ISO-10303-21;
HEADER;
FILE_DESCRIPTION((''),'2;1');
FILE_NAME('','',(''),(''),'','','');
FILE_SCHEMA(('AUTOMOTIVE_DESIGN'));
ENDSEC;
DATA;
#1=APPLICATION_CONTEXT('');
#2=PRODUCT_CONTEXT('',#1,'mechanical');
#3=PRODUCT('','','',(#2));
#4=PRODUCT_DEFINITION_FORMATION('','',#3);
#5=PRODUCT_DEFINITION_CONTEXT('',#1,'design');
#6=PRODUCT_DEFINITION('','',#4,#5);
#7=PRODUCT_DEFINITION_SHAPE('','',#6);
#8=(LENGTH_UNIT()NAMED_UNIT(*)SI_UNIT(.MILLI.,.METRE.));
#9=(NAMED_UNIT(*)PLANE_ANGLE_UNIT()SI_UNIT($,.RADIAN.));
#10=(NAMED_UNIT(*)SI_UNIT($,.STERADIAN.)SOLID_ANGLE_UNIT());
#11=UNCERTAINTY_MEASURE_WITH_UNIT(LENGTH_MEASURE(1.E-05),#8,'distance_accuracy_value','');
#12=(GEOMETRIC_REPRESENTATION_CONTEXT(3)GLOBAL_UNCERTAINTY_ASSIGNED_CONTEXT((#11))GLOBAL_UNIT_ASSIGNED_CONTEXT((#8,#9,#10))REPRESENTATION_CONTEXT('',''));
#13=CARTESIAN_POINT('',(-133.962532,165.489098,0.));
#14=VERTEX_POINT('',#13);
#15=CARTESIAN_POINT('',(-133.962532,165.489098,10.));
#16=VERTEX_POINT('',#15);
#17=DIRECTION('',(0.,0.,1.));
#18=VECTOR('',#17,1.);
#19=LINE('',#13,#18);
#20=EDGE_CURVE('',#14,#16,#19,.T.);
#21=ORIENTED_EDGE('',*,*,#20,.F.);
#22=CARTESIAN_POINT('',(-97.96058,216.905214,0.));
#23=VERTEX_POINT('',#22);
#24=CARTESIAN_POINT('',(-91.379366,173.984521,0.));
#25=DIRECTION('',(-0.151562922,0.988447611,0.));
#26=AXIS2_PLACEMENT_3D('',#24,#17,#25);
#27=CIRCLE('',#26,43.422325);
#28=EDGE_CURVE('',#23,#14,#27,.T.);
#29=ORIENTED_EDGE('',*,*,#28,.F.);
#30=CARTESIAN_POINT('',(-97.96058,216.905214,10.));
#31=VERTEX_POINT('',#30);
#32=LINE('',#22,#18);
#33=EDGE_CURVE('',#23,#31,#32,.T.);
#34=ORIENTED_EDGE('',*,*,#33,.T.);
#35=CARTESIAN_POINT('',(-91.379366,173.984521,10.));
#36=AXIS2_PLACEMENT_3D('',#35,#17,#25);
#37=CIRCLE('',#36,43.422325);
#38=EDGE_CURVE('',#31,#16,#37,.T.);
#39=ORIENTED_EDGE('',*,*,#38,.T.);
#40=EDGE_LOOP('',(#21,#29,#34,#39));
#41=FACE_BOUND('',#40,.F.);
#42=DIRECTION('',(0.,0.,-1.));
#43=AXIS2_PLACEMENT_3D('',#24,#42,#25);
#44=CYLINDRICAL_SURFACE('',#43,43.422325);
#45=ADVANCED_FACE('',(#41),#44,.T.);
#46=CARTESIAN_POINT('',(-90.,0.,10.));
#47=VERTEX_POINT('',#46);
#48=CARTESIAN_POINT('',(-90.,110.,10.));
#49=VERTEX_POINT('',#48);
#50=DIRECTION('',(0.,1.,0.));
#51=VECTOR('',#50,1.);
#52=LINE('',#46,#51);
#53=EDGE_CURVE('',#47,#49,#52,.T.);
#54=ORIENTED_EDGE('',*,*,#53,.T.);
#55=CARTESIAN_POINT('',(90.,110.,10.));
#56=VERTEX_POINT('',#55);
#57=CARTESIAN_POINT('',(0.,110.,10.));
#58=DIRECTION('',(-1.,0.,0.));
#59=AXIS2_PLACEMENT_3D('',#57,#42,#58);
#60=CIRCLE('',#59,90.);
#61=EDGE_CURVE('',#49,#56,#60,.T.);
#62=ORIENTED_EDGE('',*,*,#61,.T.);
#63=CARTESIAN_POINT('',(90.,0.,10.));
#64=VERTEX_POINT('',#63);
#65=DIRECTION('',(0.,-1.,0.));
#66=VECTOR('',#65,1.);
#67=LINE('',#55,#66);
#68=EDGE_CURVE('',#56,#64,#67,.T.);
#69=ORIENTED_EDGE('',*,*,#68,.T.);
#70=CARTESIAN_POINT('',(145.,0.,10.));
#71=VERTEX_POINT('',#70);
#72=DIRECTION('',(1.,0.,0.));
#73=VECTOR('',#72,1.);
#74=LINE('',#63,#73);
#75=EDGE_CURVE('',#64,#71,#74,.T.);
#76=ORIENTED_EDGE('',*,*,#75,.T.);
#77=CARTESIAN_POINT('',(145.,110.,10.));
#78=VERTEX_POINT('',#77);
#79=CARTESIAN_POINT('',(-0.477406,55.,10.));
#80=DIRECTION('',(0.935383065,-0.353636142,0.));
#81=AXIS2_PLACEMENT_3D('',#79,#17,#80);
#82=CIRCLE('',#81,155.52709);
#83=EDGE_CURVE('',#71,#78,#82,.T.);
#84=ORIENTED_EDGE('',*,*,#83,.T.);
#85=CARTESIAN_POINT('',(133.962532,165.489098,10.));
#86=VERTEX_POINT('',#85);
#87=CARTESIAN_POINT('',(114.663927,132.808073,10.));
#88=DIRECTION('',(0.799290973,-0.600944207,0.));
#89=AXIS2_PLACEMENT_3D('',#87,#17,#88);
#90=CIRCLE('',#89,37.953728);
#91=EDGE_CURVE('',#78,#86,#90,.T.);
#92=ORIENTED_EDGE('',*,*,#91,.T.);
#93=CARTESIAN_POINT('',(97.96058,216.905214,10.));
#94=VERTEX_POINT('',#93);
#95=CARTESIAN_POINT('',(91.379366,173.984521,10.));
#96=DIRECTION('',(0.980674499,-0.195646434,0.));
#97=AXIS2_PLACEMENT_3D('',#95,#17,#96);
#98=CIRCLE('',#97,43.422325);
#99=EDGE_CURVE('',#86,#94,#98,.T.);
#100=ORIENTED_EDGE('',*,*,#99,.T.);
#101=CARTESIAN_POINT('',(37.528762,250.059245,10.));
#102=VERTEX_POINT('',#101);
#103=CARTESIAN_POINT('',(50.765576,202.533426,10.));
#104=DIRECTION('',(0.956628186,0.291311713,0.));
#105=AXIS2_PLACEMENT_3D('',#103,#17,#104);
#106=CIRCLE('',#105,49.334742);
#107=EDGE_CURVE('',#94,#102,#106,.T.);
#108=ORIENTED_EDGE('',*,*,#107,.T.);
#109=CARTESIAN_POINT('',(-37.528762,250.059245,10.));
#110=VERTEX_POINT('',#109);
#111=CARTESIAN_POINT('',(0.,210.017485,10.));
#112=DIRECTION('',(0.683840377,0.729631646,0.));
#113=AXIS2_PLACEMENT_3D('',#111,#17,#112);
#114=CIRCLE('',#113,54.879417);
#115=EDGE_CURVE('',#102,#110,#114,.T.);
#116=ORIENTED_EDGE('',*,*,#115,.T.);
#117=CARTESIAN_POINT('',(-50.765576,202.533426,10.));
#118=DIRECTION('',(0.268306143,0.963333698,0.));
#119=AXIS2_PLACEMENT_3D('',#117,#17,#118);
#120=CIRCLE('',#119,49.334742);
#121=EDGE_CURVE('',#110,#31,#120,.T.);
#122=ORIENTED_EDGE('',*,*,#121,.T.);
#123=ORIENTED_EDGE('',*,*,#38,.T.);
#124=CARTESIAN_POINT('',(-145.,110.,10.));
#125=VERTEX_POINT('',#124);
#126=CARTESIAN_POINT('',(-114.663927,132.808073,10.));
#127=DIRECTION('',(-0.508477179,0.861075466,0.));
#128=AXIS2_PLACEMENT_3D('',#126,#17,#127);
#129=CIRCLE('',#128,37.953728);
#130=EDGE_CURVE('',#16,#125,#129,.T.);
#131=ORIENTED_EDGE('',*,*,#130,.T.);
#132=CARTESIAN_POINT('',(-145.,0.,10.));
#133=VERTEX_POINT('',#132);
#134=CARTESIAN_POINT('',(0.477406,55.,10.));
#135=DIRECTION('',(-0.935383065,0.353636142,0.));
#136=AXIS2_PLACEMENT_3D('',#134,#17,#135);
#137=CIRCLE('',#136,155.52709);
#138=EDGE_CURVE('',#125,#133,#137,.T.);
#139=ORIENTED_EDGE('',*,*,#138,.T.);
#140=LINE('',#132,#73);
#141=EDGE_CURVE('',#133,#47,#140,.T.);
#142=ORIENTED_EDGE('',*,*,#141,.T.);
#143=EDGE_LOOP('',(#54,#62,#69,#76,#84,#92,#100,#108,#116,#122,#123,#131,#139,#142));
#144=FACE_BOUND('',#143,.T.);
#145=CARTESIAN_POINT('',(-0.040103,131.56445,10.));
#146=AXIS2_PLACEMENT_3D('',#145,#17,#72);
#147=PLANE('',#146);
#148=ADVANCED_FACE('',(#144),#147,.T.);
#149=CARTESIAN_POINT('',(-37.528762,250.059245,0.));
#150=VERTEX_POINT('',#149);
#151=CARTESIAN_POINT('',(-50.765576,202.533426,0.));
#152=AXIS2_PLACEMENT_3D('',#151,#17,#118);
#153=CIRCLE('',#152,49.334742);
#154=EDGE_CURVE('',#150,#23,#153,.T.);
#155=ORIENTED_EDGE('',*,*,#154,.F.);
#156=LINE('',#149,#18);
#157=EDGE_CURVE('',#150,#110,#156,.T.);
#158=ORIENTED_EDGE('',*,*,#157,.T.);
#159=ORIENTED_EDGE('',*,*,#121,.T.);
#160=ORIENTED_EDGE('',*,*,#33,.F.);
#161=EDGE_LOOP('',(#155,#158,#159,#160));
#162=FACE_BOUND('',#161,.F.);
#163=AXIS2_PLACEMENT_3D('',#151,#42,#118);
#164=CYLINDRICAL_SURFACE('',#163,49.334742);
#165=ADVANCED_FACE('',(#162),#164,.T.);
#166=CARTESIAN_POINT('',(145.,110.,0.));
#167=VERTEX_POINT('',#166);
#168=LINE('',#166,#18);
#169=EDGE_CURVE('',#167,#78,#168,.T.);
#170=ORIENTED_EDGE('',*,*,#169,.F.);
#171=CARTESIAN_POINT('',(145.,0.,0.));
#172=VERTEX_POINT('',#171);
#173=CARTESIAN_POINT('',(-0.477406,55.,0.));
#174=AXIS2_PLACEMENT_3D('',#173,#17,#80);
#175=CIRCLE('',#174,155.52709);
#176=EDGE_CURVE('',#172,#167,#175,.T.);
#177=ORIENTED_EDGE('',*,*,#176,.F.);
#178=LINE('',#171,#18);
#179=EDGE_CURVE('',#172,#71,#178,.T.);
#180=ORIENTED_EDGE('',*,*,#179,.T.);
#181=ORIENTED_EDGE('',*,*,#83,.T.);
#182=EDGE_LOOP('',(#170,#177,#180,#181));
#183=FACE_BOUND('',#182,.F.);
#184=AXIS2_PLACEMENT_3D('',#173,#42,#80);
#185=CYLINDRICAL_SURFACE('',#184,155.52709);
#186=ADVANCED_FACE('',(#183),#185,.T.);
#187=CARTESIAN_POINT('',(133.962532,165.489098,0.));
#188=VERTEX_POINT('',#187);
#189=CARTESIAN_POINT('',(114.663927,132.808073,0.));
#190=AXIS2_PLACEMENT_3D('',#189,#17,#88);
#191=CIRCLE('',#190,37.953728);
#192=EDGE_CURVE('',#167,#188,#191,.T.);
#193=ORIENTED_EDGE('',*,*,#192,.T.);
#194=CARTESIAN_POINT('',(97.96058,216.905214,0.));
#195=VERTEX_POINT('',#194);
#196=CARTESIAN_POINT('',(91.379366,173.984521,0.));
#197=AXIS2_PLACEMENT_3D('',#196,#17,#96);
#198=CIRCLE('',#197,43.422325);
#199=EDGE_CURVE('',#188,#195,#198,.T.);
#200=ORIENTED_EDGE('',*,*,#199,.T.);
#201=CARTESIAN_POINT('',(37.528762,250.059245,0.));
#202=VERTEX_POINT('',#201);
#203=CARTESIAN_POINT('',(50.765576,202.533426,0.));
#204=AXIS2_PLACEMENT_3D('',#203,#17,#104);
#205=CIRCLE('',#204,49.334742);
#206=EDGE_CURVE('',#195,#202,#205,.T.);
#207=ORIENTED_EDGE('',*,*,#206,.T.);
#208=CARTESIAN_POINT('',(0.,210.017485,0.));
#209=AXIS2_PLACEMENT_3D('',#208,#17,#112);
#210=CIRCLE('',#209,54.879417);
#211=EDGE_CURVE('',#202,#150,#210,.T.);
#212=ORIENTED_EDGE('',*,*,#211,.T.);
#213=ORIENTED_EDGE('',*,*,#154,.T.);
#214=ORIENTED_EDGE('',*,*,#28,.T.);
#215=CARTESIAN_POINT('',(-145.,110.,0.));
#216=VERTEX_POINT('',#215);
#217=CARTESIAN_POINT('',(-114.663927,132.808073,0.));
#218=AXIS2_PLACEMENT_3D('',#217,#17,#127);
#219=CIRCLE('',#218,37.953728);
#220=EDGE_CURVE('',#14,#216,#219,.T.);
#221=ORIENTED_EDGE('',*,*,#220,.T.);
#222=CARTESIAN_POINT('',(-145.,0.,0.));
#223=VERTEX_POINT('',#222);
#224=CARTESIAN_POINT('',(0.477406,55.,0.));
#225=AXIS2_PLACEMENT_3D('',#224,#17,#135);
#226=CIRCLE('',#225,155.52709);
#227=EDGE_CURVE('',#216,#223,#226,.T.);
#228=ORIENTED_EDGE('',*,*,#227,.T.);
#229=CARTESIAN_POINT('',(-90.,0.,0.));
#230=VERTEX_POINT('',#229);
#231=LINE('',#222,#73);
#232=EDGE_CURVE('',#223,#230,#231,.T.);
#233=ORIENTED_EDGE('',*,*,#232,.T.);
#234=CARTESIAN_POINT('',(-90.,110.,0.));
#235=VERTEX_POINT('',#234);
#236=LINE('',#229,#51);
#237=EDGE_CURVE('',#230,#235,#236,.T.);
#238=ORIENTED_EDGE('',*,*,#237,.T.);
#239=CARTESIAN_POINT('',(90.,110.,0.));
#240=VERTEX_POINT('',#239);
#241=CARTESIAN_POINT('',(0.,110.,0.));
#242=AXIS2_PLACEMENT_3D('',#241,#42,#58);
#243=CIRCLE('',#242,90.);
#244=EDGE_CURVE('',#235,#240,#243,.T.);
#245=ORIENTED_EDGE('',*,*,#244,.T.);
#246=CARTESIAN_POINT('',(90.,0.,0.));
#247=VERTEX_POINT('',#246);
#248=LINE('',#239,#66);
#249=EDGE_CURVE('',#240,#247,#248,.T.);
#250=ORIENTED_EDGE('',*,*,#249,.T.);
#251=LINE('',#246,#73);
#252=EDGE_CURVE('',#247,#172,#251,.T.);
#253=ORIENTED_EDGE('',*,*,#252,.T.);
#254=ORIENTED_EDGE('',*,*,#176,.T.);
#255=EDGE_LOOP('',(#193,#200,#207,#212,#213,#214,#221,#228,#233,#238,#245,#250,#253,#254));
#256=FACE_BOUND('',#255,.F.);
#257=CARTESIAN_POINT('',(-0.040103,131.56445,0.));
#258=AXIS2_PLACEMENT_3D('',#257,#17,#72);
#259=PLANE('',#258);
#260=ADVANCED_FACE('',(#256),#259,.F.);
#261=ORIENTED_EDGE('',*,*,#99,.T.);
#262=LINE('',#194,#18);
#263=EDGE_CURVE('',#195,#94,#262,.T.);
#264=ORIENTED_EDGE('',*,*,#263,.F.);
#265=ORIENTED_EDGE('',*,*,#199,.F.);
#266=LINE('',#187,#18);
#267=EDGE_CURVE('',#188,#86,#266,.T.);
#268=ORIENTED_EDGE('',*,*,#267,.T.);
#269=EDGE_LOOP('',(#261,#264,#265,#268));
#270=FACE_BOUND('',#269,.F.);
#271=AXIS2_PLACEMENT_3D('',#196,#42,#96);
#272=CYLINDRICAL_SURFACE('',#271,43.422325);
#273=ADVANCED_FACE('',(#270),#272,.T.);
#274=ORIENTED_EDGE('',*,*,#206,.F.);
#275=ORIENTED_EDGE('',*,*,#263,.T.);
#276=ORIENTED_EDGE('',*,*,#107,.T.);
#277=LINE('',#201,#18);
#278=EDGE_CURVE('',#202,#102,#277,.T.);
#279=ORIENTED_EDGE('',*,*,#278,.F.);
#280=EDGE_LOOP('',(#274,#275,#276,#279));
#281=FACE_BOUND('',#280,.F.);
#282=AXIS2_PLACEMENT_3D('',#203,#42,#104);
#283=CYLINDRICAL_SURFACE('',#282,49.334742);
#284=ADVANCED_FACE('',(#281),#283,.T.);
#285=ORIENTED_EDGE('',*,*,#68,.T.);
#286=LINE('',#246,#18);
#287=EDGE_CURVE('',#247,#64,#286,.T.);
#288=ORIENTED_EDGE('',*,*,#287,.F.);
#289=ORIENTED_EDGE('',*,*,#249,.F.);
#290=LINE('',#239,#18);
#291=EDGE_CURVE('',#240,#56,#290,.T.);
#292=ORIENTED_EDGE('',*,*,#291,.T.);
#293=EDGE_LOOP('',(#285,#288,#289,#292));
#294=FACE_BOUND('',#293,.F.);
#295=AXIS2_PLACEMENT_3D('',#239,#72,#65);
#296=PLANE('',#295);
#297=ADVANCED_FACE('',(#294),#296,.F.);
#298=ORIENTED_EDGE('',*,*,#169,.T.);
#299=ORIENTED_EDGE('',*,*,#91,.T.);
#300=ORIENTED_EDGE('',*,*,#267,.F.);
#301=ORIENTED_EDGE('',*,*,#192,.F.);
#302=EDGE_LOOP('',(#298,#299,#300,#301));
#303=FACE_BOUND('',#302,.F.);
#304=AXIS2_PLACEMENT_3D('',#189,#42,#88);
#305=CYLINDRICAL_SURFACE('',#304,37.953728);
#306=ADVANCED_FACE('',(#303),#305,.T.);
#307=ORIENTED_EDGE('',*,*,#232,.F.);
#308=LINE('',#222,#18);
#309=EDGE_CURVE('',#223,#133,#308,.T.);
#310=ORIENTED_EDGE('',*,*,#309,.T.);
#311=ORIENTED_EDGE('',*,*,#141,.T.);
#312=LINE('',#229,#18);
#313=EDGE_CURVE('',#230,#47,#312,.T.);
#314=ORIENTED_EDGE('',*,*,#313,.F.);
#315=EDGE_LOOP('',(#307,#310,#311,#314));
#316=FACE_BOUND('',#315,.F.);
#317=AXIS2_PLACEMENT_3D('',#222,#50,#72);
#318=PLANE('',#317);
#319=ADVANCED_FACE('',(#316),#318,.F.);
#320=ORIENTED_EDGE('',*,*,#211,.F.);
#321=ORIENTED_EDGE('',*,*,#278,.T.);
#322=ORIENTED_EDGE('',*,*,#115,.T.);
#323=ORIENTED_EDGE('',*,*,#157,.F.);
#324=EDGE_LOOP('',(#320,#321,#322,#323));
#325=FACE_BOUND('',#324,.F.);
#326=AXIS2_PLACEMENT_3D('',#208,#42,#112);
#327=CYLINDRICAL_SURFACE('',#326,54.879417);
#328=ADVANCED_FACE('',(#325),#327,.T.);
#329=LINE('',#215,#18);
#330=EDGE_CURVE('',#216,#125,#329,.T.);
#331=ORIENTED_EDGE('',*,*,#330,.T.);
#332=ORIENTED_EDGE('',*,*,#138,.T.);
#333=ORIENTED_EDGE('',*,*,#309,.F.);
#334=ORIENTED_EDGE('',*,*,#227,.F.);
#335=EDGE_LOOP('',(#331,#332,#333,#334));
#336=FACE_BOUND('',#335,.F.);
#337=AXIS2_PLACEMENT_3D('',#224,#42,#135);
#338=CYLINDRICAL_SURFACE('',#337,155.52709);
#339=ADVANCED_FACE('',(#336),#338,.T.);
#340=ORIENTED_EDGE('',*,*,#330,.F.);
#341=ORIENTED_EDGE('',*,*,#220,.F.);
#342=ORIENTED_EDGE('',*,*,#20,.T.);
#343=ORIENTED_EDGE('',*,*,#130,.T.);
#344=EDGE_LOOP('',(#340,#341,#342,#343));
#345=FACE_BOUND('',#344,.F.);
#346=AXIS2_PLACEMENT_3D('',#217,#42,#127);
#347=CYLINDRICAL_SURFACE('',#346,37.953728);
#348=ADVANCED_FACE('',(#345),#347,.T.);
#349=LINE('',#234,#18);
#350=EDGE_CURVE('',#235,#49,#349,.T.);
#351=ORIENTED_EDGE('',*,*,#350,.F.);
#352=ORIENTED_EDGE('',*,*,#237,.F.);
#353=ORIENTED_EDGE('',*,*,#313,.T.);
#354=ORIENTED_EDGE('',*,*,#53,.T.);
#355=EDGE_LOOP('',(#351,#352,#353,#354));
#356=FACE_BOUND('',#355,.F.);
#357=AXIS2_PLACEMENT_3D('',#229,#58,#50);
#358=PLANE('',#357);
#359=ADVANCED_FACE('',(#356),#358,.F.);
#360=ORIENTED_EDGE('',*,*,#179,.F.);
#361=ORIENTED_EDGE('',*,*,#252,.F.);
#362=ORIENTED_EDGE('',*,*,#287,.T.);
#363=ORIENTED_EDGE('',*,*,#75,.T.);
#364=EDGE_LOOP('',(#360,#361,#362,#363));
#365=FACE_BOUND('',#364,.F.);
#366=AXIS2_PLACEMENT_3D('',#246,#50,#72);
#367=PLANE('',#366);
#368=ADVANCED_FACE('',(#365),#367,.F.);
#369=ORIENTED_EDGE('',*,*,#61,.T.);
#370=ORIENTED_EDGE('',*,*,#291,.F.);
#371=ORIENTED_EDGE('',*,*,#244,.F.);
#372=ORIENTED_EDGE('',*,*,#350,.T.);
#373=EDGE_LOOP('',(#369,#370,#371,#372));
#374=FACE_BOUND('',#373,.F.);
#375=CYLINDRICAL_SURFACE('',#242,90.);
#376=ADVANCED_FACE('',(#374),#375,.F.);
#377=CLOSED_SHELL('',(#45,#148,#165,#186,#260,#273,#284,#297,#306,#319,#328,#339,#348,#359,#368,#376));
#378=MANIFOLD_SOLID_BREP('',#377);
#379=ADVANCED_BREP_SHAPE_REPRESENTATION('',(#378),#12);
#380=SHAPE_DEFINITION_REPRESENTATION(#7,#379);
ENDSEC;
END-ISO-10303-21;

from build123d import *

# Parameters (mm, degrees)
F2_DEPTH = 10


with BuildPart() as f2:
    # F1 (on Top) → F2 (new body)
    with BuildSketch(Plane.XY):
        with BuildLine():
            ThreePointArc((-105, 110), (0, 215), (105, 110))
            Line((105, 110), (105, 0))
            Line((105, 0), (145, 0))
            Line((145, 0), (145, 110))
            ThreePointArc((145, 110), (142.2138656585, 138.2880966923), (133.9625322141, 165.4890976929))
            ThreePointArc((133.9625322141, 165.4890976929), (118.7770464219, 193.1685832709), (97.9605801043, 216.9052138375))
            ThreePointArc((97.9605801043, 216.9052138375), (69.7433714933, 237.1253795776), (37.5287615399, 250.0592448119))
            ThreePointArc((37.5287615399, 250.0592448119), (0, 255), (-37.5287615399, 250.0592448119))
            ThreePointArc((-37.5287615399, 250.0592448119), (-69.7433714933, 237.1253795776), (-97.9605801043, 216.9052138375))
            ThreePointArc((-97.9605801043, 216.9052138375), (-118.7770464219, 193.1685832709), (-133.9625322141, 165.4890976929))
            ThreePointArc((-133.9625322141, 165.4890976929), (-142.2138656585, 138.2880966923), (-145, 110))
            Line((-145, 110), (-145, 0))
            Line((-145, 0), (-105, 0))
            Line((-105, 0), (-105, 110))
        make_face()
        with BuildLine():
            ThreePointArc((-145, 110), (-155.0496837882, 55), (-145, 0))
            Line((-145, 0), (-145, 110))
        make_face()
        with BuildLine():
            ThreePointArc((-133.9625322141, 165.4890976929), (-151.8883856552, 140.2124783682), (-145, 110))
            ThreePointArc((-145, 110), (-142.2138656585, 138.2880966923), (-133.9625322141, 165.4890976929))
        make_face()
        with BuildLine():
            ThreePointArc((-97.9605801043, 216.9052138375), (-126.948851738, 198.890542954), (-133.9625322141, 165.4890976929))
            ThreePointArc((-133.9625322141, 165.4890976929), (-118.7770464219, 193.1685832709), (-97.9605801043, 216.9052138375))
        make_face()
        with BuildLine():
            ThreePointArc((-37.5287615399, 250.0592448119), (-74.4950323823, 245.7865136926), (-97.9605801043, 216.9052138375))
            ThreePointArc((-97.9605801043, 216.9052138375), (-69.7433714933, 237.1253795776), (-37.5287615399, 250.0592448119))
        make_face()
        with BuildLine():
            ThreePointArc((-37.5287615399, 250.0592448119), (0, 255), (37.5287615399, 250.0592448119))
            ThreePointArc((37.5287615399, 250.0592448119), (0, 264.8969025948), (-37.5287615399, 250.0592448119))
        make_face()
        with BuildLine():
            ThreePointArc((37.5287615399, 250.0592448119), (69.7433714933, 237.1253795776), (97.9605801043, 216.9052138375))
            ThreePointArc((97.9605801043, 216.9052138375), (74.4950323823, 245.7865136926), (37.5287615399, 250.0592448119))
        make_face()
        with BuildLine():
            ThreePointArc((97.9605801043, 216.9052138375), (118.7770464219, 193.1685832709), (133.9625322141, 165.4890976929))
            ThreePointArc((133.9625322141, 165.4890976929), (126.948851738, 198.890542954), (97.9605801043, 216.9052138375))
        make_face()
        with BuildLine():
            ThreePointArc((133.9625322141, 165.4890976929), (142.2138656585, 138.2880966923), (145, 110))
            ThreePointArc((145, 110), (151.8883856552, 140.2124783682), (133.9625322141, 165.4890976929))
        make_face()
        with BuildLine():
            Line((145, 110), (145, 0))
            ThreePointArc((145, 0), (155.0496837882, 55), (145, 110))
        make_face()
        with BuildLine():
            Line((105, 0), (105, 110))
            ThreePointArc((105, 110), (0, 215), (-105, 110))
            Line((-105, 110), (-105, 0))
            Line((-105, 0), (-90, 0))
            Line((-90, 0), (-90, 110))
            ThreePointArc((-90, 110), (0, 200), (90, 110))
            Line((90, 110), (90, 2.92e-08))
            Line((90, 0), (105, 0))
        make_face()
    extrude(amount=F2_DEPTH)


solid = f2.part
